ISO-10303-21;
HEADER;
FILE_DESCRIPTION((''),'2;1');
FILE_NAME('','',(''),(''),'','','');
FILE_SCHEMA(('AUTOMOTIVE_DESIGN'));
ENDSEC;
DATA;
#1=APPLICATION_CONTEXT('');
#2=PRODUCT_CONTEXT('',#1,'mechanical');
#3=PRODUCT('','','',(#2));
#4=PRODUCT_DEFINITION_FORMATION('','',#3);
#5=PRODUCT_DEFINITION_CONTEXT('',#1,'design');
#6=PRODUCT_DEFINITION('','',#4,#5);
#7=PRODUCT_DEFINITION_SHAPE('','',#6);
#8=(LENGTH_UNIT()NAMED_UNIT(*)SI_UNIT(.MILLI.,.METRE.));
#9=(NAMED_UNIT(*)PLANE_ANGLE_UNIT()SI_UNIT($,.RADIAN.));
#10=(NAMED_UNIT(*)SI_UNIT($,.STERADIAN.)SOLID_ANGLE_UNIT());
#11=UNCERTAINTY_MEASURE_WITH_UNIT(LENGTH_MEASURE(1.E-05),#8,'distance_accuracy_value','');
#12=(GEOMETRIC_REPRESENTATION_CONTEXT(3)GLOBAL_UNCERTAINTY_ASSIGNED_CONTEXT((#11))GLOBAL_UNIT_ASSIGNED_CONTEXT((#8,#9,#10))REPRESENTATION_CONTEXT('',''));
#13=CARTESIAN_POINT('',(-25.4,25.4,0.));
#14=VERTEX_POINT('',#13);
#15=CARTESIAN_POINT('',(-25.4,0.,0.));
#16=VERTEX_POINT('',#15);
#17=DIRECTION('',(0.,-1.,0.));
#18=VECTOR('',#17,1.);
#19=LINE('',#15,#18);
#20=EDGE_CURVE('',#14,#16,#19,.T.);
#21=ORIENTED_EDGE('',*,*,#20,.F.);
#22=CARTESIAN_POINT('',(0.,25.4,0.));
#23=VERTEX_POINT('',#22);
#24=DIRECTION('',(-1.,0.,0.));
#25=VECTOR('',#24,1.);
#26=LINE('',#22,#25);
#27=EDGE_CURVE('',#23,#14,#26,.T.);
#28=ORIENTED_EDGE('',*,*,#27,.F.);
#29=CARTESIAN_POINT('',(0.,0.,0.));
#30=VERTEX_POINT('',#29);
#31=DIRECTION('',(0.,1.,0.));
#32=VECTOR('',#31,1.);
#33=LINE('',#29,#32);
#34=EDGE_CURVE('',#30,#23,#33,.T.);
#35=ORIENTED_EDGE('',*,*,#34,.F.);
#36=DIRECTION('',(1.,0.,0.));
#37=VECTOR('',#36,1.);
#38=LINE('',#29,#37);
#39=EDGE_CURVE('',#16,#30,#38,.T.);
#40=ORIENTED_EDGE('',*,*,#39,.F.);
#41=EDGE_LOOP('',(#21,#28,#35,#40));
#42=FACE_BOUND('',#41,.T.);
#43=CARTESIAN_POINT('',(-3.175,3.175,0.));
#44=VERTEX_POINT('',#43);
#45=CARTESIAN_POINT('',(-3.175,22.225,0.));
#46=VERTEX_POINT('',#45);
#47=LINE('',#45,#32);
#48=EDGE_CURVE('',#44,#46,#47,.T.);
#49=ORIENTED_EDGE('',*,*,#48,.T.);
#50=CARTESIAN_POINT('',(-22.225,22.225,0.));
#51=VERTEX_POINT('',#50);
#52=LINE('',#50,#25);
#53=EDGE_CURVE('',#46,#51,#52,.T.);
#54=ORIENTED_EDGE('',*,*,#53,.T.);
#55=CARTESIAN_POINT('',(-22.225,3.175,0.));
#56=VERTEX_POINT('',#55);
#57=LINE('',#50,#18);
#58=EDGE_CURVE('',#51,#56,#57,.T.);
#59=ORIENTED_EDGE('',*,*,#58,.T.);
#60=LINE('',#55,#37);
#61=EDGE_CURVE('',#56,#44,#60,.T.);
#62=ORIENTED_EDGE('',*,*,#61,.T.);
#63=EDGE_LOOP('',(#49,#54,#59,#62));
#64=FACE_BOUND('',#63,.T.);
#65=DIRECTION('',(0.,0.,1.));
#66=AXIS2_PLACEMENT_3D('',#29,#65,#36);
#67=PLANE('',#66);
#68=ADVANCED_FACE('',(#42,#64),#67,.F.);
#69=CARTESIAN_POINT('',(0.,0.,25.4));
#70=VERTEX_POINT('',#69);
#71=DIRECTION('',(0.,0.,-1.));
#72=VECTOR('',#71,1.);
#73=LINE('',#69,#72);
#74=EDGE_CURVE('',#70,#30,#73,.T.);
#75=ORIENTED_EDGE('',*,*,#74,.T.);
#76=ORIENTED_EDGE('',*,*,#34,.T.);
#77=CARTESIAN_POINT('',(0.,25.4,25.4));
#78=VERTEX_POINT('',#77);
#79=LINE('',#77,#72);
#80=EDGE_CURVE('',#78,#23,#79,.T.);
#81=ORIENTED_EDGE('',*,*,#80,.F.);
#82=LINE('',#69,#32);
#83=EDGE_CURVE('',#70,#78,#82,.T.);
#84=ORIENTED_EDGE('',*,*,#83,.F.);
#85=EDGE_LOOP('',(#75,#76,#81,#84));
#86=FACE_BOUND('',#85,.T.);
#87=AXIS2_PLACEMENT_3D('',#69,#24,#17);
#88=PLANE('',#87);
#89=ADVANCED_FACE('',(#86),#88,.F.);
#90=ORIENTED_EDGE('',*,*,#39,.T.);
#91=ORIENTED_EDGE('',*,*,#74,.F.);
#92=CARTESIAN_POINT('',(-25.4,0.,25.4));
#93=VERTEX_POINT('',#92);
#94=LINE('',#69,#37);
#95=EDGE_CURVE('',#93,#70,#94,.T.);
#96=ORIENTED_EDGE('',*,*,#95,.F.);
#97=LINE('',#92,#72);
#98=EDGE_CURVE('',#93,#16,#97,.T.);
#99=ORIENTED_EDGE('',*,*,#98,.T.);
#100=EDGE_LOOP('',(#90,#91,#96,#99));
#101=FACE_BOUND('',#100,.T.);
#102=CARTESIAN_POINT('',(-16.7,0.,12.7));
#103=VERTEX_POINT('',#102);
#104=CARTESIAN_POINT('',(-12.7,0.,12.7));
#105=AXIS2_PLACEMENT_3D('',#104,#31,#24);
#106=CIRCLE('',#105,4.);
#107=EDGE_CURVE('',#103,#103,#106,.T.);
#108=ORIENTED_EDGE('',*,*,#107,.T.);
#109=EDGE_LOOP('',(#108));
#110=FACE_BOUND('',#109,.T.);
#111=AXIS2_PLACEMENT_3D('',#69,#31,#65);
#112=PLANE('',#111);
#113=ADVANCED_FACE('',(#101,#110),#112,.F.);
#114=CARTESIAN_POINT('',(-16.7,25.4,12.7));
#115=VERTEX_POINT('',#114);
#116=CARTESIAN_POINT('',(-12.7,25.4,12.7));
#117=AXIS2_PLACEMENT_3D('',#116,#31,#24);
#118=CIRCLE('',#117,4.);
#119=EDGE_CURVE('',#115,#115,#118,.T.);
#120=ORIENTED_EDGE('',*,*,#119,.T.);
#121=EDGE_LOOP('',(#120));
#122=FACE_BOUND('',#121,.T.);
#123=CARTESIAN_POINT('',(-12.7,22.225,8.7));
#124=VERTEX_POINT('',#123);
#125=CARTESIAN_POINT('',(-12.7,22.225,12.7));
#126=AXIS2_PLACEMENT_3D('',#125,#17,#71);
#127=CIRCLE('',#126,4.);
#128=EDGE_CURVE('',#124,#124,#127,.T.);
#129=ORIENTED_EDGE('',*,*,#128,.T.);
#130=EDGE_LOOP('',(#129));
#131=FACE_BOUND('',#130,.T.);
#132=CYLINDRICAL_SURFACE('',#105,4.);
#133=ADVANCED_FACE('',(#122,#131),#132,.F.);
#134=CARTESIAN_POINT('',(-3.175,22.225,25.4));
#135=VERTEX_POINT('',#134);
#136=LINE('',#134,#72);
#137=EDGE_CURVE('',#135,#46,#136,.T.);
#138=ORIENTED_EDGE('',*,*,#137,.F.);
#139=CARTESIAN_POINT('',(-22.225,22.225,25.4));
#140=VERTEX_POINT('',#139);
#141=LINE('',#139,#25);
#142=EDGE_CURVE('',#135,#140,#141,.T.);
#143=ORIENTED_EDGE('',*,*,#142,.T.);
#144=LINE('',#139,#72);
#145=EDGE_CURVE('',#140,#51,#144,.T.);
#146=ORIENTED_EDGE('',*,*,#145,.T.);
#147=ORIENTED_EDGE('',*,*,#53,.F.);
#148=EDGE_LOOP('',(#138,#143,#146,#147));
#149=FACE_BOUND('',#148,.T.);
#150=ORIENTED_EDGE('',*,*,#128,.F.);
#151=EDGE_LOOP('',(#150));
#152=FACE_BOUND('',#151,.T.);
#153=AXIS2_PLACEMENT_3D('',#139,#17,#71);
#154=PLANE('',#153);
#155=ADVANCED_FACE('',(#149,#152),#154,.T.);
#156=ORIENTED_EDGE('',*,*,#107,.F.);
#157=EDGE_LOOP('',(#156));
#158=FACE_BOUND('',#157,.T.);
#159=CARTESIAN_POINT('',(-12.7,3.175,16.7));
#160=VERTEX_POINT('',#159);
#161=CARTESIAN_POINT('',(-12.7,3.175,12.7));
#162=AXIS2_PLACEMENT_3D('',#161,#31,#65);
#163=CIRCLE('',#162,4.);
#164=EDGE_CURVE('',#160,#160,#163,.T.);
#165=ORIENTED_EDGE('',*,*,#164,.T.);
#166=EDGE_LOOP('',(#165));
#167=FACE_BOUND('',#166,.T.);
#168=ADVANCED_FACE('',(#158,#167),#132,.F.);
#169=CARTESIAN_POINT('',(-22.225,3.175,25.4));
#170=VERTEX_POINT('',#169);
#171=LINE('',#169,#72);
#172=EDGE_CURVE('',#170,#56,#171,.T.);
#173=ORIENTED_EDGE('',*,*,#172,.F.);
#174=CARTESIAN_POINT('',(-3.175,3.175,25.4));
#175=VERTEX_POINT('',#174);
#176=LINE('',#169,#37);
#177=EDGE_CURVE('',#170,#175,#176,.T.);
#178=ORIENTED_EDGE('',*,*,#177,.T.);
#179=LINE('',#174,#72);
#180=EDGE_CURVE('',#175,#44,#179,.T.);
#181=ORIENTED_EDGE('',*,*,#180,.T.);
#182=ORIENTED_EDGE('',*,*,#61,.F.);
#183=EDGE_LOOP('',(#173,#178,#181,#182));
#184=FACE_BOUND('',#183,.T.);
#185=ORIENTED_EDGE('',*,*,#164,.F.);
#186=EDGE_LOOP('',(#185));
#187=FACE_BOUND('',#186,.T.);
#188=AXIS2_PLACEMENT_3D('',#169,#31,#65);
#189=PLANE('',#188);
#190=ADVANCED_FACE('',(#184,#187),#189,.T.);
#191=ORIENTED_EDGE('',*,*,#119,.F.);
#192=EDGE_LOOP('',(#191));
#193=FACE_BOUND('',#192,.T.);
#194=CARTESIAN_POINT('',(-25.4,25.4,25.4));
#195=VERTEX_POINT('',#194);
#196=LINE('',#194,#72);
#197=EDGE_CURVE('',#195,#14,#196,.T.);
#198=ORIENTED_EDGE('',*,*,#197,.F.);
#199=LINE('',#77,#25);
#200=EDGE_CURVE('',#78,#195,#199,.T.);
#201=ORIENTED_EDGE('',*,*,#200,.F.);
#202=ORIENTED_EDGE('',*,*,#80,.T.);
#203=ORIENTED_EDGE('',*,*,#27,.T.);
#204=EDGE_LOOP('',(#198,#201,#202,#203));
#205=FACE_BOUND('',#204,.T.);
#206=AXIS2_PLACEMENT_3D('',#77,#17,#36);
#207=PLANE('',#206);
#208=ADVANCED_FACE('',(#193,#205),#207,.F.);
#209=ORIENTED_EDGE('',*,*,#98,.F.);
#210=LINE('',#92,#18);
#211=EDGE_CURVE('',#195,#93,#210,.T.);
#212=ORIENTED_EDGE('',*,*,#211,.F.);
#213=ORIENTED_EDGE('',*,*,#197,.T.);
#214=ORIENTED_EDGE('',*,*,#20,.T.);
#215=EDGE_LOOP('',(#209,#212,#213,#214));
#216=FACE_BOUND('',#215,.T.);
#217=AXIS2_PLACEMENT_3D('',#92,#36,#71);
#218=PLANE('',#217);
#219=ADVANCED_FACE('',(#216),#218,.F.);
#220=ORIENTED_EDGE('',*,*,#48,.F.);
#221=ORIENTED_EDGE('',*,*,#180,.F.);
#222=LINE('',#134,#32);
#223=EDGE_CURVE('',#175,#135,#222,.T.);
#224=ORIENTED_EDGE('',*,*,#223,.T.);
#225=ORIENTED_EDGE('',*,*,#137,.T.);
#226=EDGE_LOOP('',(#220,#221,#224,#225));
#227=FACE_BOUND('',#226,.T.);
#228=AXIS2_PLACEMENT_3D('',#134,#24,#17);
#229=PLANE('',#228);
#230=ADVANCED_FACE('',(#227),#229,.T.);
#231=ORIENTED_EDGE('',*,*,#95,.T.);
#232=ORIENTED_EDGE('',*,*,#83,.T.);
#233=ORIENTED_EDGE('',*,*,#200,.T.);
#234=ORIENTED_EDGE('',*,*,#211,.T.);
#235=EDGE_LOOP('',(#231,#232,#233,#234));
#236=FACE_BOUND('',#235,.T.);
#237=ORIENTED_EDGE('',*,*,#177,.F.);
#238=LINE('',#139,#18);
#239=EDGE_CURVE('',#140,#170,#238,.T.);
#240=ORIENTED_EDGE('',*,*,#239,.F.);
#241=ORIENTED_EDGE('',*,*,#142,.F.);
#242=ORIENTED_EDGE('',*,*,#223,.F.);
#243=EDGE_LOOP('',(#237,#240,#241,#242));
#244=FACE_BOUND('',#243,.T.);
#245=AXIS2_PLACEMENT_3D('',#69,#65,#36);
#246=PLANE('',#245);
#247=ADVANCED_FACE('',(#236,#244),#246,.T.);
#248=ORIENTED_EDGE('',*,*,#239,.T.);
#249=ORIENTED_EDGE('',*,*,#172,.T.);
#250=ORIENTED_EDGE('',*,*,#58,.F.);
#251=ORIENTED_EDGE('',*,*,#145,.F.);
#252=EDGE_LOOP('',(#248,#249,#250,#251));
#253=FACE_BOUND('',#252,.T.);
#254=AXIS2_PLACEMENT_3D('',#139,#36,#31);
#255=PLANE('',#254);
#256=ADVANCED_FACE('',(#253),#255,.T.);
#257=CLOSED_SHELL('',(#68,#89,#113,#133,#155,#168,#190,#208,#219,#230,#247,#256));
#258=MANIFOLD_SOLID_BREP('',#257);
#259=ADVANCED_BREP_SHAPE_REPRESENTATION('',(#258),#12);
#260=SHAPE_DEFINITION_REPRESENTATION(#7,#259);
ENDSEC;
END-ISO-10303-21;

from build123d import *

# Parameters (mm, degrees)
SKETCH1_W           = 25.4
SKETCH1_H           = 25.4
SKETCH1_W_2         = 19.05
SKETCH1_H_2         = 19.05
BOSS_EXTRUDE1_DEPTH = 25.4
SKETCH3_R           = 4
CUT_EXTRUDE2_DEPTH  = 44.994090512


with BuildPart() as part:
    # Sketch1 → Boss-Extrude1 (new body)
    with BuildSketch(Plane.XY):
        with Locations((-12.7, 12.7)):
            Rectangle(SKETCH1_W, SKETCH1_H)
        with Locations((-12.7, 12.7)):
            Rectangle(SKETCH1_W_2, SKETCH1_H_2, mode=Mode.SUBTRACT)
    extrude(amount=BOSS_EXTRUDE1_DEPTH)

    # Sketch3 → Cut-Extrude2 (cut, through all)
    with BuildSketch(Plane(origin=(0, 25.4, 0), x_dir=(1, 0, 0), z_dir=(0, 1, 0))):
        with Locations(Location((-12.7, -12.7, 0), (0, 0, 180))):
            Circle(SKETCH3_R)
    extrude(amount=-CUT_EXTRUDE2_DEPTH, mode=Mode.SUBTRACT)


solid = part.part
